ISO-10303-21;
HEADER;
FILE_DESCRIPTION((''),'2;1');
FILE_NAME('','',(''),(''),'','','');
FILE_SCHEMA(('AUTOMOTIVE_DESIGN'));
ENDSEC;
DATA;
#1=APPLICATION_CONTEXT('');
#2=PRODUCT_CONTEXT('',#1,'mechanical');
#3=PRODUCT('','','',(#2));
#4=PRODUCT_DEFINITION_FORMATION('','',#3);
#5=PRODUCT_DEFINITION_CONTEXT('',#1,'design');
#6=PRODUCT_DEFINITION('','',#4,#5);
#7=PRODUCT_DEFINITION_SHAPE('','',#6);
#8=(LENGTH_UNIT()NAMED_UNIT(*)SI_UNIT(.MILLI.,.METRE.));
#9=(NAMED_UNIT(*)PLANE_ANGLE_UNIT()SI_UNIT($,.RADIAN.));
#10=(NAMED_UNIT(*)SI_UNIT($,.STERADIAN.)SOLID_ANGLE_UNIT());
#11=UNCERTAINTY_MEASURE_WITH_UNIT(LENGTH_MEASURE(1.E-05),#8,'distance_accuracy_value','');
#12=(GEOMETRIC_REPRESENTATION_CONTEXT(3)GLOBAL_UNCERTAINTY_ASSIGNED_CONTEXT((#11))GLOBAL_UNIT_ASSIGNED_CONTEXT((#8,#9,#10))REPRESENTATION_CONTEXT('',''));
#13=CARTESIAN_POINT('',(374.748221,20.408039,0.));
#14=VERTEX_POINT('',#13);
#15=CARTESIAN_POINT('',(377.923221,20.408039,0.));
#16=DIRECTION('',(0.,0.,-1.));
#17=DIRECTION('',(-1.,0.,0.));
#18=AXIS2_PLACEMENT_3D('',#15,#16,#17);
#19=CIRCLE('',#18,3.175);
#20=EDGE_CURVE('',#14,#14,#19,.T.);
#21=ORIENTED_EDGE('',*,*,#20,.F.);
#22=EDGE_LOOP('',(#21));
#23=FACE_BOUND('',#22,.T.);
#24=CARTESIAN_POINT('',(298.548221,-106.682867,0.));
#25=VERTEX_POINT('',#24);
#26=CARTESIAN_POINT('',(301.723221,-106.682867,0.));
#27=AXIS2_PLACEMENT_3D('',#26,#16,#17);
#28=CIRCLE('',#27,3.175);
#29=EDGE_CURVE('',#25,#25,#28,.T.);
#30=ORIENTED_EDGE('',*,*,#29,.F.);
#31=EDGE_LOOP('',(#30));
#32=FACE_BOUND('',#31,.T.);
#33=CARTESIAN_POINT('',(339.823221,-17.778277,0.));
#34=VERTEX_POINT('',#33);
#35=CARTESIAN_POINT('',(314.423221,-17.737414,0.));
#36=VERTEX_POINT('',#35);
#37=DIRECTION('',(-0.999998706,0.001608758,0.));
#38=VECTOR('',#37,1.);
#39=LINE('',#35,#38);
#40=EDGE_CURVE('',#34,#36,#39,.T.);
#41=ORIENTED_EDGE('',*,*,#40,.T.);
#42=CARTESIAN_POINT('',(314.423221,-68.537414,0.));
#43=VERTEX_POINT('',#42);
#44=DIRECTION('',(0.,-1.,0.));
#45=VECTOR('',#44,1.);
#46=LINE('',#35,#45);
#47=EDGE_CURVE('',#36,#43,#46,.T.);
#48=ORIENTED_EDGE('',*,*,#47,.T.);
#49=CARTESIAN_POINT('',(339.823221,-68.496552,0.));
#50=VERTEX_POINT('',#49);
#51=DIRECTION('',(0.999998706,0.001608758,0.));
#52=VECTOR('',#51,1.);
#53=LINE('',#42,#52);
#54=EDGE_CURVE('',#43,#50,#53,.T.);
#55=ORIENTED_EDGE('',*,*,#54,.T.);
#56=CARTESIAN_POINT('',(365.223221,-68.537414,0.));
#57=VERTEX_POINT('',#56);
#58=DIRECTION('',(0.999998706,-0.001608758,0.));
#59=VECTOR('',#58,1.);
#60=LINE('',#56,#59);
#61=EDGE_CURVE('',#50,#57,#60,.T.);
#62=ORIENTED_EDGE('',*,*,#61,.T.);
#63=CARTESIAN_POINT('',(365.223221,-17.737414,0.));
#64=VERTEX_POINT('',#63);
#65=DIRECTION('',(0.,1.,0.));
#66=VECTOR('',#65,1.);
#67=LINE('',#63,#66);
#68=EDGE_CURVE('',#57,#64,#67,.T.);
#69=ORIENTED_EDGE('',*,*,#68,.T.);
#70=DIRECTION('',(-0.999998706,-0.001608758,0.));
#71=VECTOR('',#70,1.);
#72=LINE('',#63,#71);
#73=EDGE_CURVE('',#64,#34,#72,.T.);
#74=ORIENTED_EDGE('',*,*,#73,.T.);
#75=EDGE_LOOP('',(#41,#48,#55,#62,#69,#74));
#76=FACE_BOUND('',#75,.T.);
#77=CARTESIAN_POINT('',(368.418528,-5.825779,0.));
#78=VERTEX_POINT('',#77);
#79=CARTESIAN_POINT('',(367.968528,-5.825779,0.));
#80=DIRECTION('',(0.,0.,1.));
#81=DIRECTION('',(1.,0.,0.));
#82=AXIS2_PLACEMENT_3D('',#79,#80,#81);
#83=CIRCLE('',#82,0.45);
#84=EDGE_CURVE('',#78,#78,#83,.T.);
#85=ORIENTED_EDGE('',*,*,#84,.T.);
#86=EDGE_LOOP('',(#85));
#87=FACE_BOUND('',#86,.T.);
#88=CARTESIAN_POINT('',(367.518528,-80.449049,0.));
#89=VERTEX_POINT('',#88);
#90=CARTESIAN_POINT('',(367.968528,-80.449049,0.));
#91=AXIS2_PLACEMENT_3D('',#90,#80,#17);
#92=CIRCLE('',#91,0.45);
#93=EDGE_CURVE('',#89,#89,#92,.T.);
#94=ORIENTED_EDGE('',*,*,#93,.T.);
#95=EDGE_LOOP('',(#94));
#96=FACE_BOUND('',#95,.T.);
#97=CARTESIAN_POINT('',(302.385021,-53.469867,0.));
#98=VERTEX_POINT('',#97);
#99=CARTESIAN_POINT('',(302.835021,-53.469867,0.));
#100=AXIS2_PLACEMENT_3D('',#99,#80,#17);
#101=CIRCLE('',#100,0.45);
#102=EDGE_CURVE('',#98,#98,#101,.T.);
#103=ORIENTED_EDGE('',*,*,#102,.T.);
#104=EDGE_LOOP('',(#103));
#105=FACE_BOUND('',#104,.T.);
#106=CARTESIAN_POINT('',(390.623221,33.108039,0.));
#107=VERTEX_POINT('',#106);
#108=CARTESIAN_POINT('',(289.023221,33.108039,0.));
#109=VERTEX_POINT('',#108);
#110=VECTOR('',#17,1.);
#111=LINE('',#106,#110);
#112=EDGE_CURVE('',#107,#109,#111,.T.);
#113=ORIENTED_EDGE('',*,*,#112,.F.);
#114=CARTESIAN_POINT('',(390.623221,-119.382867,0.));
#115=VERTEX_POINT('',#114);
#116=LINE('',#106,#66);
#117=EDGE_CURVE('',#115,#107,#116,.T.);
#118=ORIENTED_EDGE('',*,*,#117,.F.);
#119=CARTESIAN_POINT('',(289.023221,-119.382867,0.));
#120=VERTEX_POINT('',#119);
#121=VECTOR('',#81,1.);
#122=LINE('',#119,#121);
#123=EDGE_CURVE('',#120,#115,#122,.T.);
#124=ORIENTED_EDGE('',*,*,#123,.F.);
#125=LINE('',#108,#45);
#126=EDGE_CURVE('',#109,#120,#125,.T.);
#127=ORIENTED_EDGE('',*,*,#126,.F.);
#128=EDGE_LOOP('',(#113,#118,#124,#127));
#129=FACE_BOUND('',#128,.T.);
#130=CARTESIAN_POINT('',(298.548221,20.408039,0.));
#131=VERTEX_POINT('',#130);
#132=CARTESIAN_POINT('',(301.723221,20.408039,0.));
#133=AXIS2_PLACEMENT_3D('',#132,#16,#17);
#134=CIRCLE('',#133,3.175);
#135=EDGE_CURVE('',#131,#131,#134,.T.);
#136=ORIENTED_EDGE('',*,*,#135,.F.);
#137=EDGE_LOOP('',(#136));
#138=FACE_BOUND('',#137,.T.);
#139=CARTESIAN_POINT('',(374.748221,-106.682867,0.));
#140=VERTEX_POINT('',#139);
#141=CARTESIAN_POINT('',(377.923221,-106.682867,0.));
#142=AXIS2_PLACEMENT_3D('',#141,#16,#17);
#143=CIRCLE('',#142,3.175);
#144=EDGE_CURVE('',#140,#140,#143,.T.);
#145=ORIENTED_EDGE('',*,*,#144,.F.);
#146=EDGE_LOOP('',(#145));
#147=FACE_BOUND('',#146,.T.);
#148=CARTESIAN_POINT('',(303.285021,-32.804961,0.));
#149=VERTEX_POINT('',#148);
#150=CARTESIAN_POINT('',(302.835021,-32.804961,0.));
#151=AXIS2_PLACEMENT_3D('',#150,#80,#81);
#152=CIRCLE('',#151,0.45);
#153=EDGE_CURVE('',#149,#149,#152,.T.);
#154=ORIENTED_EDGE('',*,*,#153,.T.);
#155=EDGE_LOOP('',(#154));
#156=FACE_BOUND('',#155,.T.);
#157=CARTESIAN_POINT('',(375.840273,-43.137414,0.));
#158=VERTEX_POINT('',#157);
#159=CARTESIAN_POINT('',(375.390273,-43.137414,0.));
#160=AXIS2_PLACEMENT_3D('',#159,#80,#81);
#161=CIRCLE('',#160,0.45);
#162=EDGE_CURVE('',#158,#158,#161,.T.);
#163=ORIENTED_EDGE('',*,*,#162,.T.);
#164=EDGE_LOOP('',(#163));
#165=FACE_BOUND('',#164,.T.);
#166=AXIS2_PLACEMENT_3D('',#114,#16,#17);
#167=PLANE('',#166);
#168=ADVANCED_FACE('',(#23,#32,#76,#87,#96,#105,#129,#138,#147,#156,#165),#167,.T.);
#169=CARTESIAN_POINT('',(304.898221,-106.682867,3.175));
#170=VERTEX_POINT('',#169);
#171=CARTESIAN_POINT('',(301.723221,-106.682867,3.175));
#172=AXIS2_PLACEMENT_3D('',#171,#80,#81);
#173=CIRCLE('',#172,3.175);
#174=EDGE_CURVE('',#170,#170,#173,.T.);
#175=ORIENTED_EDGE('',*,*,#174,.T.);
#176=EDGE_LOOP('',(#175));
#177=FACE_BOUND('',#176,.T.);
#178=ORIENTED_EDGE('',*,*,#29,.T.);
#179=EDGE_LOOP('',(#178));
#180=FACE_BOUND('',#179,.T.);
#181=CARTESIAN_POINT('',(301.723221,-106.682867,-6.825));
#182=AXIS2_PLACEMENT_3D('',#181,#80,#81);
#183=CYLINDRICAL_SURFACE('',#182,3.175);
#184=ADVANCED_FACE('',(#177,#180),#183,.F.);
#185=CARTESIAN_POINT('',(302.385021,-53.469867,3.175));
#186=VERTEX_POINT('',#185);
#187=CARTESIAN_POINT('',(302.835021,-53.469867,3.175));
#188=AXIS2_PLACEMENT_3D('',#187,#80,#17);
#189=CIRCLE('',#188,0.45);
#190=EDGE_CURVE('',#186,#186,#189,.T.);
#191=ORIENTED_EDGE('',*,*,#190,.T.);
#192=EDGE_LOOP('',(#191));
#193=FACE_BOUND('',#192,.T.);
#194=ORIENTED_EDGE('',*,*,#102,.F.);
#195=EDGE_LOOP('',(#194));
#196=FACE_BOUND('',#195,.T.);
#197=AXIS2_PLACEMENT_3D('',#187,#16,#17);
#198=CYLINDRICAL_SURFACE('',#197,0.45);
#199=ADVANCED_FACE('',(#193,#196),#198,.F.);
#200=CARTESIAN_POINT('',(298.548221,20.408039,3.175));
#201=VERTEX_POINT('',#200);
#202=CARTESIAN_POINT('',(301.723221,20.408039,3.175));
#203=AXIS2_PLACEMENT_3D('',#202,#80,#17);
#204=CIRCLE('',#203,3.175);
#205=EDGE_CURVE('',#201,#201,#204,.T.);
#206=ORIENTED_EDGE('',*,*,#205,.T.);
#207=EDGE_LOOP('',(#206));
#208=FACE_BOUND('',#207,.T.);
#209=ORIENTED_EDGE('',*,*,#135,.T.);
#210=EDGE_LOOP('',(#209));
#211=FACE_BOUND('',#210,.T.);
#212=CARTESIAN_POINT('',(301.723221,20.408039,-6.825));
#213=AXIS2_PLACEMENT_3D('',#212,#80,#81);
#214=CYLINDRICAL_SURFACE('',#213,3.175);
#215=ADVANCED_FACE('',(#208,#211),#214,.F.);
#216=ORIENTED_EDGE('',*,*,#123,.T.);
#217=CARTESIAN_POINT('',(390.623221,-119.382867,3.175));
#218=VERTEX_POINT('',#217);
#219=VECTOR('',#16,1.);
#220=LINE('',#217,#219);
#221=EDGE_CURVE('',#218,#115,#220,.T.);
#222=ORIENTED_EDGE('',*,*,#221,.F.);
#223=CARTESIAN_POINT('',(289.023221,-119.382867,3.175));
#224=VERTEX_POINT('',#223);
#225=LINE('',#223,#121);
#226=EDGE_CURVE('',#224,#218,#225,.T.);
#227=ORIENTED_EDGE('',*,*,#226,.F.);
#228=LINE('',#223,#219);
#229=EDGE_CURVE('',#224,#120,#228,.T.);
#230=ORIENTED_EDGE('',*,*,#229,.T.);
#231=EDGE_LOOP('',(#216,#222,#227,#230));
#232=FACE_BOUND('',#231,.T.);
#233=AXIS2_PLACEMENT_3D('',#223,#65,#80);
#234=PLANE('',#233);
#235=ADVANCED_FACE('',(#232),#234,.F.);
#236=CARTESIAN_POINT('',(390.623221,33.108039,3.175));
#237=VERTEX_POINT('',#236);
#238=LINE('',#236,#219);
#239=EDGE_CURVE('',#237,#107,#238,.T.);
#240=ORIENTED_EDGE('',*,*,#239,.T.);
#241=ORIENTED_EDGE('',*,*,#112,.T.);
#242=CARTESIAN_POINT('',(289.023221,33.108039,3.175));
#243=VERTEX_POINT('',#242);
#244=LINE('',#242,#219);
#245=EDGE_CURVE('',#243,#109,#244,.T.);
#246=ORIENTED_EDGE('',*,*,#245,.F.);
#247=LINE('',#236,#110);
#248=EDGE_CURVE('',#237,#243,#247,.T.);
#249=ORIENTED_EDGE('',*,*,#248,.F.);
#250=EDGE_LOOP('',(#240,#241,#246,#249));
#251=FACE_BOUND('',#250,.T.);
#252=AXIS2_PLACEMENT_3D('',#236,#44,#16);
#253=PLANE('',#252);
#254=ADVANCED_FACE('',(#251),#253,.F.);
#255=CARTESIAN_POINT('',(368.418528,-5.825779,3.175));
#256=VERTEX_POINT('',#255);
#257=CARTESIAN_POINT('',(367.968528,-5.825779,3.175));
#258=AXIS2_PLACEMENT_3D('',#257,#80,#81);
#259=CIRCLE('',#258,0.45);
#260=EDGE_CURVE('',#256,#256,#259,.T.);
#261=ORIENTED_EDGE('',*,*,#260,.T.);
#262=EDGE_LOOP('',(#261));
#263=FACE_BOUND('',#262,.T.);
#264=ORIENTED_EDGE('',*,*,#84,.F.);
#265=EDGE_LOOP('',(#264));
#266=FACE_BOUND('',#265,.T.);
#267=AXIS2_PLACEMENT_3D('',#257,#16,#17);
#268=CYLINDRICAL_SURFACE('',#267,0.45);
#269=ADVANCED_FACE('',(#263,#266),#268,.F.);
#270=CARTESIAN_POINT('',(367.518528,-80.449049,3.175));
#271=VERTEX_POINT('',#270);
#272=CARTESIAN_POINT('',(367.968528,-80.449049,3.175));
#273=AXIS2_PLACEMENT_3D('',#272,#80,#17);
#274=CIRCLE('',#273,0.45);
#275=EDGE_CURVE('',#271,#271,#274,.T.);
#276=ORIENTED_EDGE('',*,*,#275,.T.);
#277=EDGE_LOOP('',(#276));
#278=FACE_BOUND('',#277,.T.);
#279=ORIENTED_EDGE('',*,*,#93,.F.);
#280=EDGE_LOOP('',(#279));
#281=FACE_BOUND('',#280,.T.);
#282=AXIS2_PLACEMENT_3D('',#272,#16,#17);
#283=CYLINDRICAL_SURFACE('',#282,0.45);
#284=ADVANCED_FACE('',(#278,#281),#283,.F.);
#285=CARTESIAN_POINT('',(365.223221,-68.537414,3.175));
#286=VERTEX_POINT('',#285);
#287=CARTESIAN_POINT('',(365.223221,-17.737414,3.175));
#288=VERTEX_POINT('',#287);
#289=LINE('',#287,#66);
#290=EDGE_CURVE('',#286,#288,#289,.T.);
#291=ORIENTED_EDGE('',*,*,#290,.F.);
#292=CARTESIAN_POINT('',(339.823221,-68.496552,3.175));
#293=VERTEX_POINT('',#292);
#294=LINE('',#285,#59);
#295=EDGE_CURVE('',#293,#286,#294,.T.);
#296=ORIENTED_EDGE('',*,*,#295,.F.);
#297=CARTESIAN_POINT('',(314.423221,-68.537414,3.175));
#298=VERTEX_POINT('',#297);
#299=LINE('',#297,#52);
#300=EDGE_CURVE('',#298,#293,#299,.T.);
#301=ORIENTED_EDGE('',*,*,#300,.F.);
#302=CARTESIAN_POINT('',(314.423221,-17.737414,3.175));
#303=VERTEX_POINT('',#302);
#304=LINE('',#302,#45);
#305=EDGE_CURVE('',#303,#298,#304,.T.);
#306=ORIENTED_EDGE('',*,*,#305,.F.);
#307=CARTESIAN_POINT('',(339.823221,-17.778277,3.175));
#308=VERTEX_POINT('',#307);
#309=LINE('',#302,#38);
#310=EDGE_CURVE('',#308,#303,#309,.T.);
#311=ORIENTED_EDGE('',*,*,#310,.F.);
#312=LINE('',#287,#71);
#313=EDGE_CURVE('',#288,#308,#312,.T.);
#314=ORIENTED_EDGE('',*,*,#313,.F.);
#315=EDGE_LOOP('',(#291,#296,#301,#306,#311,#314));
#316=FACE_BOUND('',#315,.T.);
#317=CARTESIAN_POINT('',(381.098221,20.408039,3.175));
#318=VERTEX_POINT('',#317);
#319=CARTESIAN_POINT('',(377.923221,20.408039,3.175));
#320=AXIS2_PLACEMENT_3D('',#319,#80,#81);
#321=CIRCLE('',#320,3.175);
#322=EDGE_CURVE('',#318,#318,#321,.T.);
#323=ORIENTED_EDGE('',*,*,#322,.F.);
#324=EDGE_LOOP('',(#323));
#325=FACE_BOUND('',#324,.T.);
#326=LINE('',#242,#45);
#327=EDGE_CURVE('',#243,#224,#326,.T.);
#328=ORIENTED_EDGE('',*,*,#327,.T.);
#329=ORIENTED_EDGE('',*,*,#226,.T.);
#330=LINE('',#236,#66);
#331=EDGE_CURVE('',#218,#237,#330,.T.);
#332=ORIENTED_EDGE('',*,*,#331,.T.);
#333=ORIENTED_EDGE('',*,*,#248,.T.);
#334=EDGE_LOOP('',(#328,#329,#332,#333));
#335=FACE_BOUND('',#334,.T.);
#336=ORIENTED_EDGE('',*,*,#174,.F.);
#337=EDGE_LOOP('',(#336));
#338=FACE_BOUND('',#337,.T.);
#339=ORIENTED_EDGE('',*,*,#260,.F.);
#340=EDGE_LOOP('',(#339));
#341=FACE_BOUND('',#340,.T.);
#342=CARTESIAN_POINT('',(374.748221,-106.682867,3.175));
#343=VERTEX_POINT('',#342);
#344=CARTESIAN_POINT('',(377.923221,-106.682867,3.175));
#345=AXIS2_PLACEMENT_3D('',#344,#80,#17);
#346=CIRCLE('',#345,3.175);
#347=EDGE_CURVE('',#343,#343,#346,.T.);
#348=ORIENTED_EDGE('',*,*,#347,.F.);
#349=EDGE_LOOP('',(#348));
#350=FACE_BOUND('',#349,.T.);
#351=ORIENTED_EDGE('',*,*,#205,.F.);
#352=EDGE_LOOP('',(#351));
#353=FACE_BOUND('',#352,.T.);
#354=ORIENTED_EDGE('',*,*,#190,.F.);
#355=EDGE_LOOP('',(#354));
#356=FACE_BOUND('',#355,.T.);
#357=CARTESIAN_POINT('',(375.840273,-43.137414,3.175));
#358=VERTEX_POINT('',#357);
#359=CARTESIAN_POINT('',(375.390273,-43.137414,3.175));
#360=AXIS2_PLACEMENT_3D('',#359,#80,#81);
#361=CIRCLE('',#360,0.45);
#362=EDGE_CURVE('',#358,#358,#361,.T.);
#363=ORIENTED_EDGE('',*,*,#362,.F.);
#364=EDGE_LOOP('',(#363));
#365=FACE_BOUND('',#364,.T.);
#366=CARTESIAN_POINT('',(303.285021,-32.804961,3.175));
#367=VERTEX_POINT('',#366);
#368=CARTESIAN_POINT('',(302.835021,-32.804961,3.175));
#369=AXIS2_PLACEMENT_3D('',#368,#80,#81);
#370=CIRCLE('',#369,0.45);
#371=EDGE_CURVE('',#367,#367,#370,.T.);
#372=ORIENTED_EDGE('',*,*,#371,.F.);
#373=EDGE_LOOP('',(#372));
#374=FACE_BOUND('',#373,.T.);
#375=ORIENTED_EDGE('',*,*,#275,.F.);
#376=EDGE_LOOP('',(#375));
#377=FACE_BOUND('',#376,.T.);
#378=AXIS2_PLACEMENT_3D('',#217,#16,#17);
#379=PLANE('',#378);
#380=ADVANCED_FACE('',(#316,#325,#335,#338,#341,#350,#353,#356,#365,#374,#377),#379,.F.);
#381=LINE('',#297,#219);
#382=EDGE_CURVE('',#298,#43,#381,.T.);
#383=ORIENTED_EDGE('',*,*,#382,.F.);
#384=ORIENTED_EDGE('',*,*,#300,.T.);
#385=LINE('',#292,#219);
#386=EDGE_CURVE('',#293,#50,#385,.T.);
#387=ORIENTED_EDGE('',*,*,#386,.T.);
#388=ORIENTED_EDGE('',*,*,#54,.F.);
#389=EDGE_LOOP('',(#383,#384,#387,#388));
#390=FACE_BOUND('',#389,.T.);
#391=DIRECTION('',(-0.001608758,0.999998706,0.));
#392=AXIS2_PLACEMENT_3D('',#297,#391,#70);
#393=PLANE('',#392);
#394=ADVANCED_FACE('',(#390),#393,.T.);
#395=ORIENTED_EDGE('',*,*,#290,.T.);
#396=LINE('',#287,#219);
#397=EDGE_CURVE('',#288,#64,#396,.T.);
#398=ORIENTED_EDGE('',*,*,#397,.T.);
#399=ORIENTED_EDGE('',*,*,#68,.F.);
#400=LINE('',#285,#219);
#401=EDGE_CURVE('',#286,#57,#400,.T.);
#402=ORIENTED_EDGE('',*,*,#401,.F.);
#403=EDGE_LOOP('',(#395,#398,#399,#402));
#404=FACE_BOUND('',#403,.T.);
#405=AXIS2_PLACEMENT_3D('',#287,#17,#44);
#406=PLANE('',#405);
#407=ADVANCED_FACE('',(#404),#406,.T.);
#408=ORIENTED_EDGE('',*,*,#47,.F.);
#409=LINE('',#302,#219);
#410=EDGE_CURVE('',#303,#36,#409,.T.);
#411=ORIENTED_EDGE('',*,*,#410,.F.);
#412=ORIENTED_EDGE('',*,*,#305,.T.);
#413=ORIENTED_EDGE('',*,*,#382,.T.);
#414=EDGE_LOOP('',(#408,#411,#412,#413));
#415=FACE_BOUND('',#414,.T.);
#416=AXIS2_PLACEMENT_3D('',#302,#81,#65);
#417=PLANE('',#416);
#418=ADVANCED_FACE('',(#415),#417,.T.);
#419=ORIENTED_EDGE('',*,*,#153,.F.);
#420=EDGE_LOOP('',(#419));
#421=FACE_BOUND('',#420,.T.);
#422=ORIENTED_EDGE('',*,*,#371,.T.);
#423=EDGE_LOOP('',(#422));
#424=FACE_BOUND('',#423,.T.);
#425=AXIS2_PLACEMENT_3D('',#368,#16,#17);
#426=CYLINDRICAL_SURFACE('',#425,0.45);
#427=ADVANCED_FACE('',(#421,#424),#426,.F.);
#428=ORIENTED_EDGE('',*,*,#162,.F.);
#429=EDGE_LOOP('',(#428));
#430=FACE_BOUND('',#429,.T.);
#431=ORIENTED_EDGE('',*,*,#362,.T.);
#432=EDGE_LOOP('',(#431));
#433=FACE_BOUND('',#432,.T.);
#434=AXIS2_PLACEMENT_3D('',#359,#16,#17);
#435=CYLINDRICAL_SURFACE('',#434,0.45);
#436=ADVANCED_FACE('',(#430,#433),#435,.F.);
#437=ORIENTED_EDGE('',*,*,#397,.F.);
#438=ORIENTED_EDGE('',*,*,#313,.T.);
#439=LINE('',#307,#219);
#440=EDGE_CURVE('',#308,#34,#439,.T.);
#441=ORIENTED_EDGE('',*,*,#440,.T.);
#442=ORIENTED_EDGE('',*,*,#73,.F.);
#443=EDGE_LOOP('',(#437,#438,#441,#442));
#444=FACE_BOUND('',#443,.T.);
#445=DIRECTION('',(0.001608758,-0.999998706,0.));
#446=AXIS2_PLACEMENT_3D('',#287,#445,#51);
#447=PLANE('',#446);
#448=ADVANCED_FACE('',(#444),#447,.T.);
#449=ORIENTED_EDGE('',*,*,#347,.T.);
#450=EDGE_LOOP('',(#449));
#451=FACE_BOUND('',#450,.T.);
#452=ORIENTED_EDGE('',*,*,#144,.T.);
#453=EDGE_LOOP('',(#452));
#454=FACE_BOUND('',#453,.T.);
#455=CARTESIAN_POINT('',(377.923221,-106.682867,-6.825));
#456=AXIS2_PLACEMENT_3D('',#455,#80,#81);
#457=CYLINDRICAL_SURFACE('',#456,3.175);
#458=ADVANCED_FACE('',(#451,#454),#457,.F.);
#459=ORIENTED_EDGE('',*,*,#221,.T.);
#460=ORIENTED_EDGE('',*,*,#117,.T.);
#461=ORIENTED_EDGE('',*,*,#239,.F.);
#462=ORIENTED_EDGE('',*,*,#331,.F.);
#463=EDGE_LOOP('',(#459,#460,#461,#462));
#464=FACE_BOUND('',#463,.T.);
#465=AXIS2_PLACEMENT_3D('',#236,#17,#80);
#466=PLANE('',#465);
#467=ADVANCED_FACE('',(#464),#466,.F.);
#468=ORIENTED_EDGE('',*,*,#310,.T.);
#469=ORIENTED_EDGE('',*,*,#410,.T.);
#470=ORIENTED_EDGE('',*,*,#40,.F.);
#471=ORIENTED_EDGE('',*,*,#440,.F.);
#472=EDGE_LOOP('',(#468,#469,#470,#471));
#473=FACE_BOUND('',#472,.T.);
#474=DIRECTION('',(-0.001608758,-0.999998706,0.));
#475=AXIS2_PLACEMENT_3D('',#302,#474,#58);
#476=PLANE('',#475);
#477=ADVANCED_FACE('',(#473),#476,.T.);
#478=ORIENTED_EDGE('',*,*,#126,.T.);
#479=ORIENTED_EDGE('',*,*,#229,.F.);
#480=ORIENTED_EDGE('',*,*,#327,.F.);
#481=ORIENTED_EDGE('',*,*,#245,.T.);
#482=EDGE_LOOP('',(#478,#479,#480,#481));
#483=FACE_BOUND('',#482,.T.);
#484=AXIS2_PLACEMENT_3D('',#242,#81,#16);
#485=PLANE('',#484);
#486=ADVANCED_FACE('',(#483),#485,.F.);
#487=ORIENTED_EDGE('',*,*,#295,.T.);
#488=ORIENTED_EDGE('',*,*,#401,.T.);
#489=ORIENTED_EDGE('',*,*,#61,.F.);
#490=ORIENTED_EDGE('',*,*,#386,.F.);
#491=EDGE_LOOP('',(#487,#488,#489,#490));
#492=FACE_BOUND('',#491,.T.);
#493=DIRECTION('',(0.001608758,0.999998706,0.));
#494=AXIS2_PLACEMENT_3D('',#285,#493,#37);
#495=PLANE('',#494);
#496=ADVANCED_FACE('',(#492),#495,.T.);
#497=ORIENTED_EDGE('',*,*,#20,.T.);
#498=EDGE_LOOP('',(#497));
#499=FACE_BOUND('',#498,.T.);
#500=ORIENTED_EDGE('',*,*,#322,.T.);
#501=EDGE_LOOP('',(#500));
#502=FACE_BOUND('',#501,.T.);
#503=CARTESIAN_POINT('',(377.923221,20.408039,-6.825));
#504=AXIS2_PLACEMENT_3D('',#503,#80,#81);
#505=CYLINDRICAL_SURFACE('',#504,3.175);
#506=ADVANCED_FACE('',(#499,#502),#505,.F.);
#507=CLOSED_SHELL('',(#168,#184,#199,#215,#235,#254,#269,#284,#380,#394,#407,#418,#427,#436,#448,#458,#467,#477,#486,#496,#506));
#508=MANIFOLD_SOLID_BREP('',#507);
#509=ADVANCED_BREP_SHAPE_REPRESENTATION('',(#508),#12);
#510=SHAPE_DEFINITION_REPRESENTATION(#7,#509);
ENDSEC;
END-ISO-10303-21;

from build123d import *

# Parameters (mm, degrees)
SKETCH2_W           = 101.6
SKETCH2_H           = 152.490905348
SKETCH2_R           = 0.45
BOSS_EXTRUDE1_DEPTH = 3.175
SKETCH3_R           = 3.175
CUT_EXTRUDE1_DEPTH  = 10


with BuildPart() as part:
    # Sketch2 → Boss-Extrude1 (new body)
    with BuildSketch(Plane.XY):
        with Locations((339.823220758, -43.137414152)):
            Rectangle(SKETCH2_W, SKETCH2_H)
        with Locations((302.835020758, -32.804961478)):
            Circle(SKETCH2_R, mode=Mode.SUBTRACT)
        with Locations((367.9685278, -5.825779496)):
            Circle(SKETCH2_R, mode=Mode.SUBTRACT)
        with Locations(Location((302.835020758, -53.469866826, 0), (0, 0, 180))):
            Circle(SKETCH2_R, mode=Mode.SUBTRACT)
        with Locations((375.390273381, -43.137414152)):
            Circle(SKETCH2_R, mode=Mode.SUBTRACT)
        with Locations(Location((367.9685278, -80.449048807, 0), (0, 0, 180))):
            Circle(SKETCH2_R, mode=Mode.SUBTRACT)
        Polygon((365.223220758, -17.737414152), (339.823220758, -17.778276649), (314.423220758, -17.737414152), (314.423220758, -68.537414152), (339.823220758, -68.496551654), (365.223220758, -68.537414152), align=None, mode=Mode.SUBTRACT)
    extrude(amount=BOSS_EXTRUDE1_DEPTH)

    # Sketch3 → Cut-Extrude1 (cut)
    with BuildSketch(Plane.XY.offset(3.175)):
        with Locations((377.923220758, 20.408038522)):
            Circle(SKETCH3_R)
        with Locations(Location((301.723220758, 20.408038522, 0), (0, 0, 180))):
            Circle(SKETCH3_R)
        with Locations((301.723220758, -106.682866826)):
            Circle(SKETCH3_R)
        with Locations(Location((377.923220758, -106.682866826, 0), (0, 0, 180))):
            Circle(SKETCH3_R)
    extrude(amount=-CUT_EXTRUDE1_DEPTH, mode=Mode.SUBTRACT)


solid = part.part
